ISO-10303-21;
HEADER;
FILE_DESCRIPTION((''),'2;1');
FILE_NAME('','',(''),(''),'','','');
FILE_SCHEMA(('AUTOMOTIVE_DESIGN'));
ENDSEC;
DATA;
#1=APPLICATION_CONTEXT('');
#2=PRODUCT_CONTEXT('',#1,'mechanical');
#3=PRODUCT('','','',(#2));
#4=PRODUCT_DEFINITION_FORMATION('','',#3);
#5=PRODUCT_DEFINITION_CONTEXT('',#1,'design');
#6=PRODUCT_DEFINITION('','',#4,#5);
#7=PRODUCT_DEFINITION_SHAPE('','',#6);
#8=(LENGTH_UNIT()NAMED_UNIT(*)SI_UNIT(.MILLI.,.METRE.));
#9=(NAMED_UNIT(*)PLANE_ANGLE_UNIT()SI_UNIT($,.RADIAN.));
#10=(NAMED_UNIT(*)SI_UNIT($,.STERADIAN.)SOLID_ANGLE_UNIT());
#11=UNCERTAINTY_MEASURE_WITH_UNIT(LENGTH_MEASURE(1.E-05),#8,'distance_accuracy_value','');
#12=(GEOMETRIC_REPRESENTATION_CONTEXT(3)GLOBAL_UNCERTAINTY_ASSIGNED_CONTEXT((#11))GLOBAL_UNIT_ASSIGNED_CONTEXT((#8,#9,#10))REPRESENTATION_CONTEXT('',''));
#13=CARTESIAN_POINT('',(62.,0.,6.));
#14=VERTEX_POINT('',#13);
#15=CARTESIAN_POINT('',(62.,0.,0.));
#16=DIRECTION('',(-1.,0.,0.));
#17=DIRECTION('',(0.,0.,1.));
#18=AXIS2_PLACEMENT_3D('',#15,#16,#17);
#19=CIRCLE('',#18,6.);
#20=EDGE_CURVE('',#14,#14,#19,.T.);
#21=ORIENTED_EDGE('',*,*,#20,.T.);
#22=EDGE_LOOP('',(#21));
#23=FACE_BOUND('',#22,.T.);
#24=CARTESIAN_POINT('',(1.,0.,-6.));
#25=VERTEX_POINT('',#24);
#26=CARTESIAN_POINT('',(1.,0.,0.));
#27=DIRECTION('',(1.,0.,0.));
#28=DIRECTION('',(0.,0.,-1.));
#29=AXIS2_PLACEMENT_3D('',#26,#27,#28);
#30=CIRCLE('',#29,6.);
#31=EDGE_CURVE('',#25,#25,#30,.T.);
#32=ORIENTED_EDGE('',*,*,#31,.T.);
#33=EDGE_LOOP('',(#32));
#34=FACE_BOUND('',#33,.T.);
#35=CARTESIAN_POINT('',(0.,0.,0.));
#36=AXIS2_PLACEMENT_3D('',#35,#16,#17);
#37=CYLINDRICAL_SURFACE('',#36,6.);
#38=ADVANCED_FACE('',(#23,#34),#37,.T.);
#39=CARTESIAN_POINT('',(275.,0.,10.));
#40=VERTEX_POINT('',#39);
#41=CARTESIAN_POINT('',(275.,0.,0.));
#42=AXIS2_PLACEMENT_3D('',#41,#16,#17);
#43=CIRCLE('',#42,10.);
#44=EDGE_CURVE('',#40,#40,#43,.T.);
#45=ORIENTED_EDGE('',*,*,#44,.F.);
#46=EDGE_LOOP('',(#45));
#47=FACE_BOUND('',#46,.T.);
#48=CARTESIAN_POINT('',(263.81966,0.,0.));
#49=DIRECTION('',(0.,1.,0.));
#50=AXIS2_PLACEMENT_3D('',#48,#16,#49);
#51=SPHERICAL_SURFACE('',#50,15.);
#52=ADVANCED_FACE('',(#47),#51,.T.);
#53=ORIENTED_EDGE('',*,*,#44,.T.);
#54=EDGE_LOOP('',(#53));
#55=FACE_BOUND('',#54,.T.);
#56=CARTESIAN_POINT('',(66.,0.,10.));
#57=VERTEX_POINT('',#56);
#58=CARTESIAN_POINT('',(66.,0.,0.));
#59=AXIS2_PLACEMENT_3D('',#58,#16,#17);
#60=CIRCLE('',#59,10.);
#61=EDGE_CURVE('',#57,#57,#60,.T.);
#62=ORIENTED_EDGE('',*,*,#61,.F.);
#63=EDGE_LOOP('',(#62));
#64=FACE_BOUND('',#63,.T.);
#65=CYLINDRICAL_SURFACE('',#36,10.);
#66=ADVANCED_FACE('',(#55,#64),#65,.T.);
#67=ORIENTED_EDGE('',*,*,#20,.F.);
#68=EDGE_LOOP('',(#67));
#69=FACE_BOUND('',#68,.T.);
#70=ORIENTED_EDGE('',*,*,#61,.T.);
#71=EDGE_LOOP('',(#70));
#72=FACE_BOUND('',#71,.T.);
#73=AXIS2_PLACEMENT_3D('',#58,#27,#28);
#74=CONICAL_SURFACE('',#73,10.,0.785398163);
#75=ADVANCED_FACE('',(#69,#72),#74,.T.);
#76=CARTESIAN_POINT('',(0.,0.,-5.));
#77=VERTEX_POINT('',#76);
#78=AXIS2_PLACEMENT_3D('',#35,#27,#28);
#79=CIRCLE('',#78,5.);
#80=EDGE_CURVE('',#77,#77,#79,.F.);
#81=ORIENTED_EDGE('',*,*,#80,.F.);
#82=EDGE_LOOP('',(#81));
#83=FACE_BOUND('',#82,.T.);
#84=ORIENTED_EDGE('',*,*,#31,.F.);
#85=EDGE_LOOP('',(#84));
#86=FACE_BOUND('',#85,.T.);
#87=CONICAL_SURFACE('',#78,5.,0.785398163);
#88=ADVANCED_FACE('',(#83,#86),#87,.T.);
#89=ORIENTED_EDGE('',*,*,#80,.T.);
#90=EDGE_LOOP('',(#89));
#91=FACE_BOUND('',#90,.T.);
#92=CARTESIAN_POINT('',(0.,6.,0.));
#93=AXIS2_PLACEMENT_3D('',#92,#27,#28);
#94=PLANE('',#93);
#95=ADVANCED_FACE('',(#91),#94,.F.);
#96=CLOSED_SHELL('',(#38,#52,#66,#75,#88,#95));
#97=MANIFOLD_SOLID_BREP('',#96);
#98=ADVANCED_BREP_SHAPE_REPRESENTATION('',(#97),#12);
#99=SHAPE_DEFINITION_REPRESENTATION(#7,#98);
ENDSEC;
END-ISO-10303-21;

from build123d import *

# Parameters (mm, degrees)
CHAMFER1_SIZE = 1


with BuildPart() as part:
    # Sketch2 → Revolve1 (revolve)
    with BuildSketch(Plane.XY, mode=Mode.PRIVATE) as revolve1_sk:
        with BuildLine():
            Line((0, 0), (275, 0))
            Line((275, 0), (278.819660113, 0))
            ThreePointArc((278.819660113, 0), (277.832245497, 5.352331347), (275, 10))
            Line((275, 10), (66, 10))
            Line((66, 10), (62, 6))
            Line((62, 6), (0, 6))
            Line((0, 6), (0, 0))
        make_face()
    revolve(revolve1_sk.sketch.rotate(Axis((0, 0, 0), (1, 0, 0)), 90), axis=Axis((0, 0, 0), (1, 0, 0)))

    # Chamfer1
    chamfer1_edges = [part.edges().sort_by_distance(p)[0] for p in [
        (0, 0, -6),
    ]]
    chamfer(chamfer1_edges, length=CHAMFER1_SIZE)


solid = part.part
